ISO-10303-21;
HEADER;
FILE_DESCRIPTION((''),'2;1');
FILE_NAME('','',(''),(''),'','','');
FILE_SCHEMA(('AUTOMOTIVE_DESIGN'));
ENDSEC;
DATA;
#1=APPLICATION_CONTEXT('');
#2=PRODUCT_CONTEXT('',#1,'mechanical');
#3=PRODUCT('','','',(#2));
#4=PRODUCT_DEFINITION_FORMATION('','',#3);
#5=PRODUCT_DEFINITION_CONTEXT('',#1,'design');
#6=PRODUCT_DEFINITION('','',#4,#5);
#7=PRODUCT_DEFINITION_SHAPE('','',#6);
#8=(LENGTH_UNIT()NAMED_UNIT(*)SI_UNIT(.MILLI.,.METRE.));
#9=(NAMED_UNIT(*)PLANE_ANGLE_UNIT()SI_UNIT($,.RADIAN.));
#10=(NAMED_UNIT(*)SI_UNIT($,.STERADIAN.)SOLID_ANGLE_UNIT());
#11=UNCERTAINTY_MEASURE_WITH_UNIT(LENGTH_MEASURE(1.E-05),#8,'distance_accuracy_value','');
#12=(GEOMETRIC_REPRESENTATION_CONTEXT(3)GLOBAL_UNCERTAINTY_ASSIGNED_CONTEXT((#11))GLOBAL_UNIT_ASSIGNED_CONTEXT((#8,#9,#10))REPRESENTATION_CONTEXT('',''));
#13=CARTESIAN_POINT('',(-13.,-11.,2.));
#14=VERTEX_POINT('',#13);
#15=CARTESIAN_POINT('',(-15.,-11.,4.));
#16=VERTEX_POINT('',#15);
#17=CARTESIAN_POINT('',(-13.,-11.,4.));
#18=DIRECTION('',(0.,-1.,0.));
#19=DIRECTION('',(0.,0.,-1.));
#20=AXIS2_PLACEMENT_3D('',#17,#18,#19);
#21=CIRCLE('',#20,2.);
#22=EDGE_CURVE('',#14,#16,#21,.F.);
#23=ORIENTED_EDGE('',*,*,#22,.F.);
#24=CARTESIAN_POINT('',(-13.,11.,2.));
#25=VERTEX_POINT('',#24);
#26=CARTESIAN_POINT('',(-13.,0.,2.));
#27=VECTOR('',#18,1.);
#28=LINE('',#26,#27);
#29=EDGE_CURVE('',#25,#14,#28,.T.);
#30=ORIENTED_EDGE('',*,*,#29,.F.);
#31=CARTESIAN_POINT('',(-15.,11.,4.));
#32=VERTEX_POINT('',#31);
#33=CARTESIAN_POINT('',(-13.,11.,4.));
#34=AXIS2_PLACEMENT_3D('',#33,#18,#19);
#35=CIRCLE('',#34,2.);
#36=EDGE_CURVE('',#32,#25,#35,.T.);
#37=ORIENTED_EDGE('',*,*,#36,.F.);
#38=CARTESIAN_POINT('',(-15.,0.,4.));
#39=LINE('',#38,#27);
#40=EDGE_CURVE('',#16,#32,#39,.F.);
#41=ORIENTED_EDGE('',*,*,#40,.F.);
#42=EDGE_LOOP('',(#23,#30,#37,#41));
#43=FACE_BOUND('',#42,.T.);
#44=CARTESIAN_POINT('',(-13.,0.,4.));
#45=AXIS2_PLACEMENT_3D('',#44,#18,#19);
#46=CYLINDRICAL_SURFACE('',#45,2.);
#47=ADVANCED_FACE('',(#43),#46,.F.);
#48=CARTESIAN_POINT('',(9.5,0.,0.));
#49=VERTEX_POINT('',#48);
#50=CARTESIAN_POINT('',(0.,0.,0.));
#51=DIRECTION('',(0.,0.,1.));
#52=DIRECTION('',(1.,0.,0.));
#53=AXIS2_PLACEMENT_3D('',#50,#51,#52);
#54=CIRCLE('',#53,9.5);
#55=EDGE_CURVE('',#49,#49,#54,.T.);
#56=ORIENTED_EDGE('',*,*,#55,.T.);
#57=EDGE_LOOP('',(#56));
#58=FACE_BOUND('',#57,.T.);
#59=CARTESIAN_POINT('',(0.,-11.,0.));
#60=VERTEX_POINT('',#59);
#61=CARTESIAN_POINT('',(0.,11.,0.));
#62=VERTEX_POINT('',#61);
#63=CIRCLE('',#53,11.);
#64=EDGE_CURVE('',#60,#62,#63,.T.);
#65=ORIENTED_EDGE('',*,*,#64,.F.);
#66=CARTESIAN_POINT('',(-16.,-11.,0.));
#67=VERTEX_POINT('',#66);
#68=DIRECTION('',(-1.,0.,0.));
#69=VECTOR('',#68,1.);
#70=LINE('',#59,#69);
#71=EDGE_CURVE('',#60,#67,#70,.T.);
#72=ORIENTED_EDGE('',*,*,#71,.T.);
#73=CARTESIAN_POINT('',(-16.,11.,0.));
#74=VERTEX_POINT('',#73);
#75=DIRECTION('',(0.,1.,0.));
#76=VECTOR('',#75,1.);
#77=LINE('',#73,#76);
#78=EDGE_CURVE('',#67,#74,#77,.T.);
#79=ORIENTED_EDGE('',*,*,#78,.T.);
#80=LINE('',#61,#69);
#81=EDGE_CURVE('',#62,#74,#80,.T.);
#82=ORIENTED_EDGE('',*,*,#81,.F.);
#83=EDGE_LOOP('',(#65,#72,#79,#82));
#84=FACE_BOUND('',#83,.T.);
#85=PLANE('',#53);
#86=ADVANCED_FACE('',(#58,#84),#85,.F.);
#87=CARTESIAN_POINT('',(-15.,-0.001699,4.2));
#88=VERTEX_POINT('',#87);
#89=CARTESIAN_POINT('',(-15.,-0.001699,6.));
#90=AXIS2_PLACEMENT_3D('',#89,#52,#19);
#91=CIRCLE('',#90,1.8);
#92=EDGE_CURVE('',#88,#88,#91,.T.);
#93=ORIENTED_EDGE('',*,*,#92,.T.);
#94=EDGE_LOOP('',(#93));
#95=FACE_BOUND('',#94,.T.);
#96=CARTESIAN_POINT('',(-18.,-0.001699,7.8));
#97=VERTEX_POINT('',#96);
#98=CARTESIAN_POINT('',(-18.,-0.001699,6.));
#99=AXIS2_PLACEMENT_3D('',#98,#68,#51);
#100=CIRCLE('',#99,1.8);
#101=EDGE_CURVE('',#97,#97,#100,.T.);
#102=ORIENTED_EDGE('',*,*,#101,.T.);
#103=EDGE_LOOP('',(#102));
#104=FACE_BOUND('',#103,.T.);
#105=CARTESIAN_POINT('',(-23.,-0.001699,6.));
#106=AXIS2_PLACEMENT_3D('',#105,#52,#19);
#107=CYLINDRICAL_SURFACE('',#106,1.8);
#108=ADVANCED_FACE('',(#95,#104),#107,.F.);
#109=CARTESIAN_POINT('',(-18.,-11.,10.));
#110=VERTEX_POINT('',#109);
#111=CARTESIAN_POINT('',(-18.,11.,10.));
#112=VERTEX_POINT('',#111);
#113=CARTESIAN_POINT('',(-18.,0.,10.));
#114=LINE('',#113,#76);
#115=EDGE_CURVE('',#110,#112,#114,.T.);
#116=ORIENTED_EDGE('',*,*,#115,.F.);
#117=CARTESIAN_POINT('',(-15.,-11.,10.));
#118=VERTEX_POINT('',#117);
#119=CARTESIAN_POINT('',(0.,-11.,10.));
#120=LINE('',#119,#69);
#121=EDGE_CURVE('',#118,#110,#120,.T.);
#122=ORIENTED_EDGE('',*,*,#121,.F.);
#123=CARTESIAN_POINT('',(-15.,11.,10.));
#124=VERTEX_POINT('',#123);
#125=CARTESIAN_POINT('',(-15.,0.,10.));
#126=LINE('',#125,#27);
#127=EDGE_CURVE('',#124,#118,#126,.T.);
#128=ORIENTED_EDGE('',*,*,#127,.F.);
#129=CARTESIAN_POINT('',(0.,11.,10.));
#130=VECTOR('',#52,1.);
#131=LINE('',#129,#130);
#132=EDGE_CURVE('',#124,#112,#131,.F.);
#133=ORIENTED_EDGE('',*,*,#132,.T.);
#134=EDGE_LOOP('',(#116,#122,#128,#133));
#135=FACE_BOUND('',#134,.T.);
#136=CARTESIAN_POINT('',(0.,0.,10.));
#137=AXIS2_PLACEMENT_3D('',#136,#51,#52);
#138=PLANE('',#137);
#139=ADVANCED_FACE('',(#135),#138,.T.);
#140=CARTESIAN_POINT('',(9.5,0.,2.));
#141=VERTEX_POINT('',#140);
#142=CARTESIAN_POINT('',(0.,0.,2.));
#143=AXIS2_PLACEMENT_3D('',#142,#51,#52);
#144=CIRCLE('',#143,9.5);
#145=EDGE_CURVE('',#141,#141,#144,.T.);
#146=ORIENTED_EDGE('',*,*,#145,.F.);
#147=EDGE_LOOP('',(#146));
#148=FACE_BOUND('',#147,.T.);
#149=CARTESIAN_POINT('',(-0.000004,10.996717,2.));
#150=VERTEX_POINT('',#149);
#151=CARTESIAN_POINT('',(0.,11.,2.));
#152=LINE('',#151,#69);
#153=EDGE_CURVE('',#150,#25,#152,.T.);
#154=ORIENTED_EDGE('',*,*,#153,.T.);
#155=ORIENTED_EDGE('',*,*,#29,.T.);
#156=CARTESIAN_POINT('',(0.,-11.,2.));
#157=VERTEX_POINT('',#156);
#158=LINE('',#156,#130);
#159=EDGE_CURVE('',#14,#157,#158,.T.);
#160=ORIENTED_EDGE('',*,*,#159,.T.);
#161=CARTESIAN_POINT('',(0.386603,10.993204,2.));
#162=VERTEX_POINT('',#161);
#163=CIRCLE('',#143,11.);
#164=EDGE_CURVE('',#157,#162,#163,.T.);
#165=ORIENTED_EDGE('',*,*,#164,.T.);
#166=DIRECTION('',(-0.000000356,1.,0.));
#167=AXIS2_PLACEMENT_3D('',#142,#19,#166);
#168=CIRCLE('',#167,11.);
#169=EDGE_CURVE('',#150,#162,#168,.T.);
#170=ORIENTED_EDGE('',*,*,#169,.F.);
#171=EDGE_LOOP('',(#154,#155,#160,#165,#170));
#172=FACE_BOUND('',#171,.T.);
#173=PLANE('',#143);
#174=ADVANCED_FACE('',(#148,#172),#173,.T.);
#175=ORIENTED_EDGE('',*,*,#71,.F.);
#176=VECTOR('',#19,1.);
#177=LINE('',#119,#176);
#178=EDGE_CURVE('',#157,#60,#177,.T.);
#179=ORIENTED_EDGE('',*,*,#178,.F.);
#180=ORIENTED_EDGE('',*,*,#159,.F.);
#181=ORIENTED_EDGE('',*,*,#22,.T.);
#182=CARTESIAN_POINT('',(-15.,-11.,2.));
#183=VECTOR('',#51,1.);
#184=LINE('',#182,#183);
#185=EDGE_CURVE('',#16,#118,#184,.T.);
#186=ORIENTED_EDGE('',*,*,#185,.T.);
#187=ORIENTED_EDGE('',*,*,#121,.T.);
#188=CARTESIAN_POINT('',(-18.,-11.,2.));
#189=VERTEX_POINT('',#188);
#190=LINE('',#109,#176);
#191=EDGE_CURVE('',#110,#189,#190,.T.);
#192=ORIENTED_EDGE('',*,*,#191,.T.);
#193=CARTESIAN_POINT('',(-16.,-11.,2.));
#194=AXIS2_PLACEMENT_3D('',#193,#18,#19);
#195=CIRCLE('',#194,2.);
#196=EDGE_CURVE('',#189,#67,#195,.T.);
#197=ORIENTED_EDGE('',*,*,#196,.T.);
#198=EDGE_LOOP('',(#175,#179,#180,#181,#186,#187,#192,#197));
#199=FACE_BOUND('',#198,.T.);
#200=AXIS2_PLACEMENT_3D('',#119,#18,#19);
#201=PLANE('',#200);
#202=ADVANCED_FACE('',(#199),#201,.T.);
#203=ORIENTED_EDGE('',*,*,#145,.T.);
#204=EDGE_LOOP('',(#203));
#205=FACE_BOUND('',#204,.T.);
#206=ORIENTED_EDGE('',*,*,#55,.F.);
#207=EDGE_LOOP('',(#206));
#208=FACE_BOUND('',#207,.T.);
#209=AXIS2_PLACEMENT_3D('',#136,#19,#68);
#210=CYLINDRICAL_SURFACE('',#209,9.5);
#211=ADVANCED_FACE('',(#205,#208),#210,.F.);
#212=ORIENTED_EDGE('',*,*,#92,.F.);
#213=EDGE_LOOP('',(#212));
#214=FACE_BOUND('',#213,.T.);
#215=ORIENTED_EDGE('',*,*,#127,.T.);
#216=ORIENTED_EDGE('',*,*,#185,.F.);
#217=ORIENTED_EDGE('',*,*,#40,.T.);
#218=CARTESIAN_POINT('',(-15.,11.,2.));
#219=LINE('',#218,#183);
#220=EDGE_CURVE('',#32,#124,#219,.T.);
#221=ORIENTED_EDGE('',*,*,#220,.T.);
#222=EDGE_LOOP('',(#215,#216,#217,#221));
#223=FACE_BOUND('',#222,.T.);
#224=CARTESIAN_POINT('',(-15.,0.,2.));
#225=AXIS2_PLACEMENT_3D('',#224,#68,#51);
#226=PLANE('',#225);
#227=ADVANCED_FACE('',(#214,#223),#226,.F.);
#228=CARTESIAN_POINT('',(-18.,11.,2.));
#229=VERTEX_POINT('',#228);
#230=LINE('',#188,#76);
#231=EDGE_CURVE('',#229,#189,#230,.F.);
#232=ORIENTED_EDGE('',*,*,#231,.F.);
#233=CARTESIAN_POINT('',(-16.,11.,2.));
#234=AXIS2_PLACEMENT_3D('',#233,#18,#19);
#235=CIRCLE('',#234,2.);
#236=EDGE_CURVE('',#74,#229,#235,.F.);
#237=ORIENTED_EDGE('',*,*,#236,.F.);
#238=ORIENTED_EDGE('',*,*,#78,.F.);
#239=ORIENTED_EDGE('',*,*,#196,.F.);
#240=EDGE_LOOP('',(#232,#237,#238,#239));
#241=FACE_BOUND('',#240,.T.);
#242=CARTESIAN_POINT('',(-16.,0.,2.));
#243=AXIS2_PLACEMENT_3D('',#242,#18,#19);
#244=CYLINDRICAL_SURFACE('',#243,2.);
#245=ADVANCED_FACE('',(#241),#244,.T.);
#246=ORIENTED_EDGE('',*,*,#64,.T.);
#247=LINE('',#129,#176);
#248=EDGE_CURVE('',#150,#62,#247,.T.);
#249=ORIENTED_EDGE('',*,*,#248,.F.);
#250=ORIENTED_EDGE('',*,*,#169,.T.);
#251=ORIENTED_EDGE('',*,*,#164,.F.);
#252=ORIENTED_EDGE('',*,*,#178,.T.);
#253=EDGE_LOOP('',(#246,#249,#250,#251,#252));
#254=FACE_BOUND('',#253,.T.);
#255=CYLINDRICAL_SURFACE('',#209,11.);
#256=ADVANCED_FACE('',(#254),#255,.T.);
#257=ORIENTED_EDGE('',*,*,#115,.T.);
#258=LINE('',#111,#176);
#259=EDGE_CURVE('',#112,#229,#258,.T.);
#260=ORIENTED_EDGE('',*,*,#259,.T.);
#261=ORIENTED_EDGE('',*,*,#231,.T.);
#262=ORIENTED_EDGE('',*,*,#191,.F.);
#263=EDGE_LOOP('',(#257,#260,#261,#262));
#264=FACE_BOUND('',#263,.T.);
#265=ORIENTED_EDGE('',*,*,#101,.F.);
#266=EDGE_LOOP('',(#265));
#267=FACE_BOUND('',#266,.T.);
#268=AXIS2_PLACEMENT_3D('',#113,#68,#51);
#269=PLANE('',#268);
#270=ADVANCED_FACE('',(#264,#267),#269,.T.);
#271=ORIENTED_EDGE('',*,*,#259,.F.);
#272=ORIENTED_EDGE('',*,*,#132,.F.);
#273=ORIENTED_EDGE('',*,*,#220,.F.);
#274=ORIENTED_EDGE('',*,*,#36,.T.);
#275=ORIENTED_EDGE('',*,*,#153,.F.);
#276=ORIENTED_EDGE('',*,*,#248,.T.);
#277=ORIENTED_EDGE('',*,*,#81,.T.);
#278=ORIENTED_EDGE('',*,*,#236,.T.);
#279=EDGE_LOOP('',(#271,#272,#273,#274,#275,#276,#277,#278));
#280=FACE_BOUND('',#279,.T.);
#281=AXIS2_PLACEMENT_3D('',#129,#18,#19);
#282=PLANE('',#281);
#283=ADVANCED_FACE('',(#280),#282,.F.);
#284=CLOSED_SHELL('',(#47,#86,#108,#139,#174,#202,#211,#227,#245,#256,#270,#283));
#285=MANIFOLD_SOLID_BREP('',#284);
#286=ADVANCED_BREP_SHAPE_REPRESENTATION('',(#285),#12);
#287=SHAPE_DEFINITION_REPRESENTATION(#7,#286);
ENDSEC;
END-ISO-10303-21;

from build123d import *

# Parameters (mm, degrees)
F_10_MM_EXTRUDE_DEPTH  = 10
F_8_START              = -8
SKETCH2_R              = 9.5
F_8_MM_CUT_DEPTH       = 8
SKETCH4_R              = 1.8
CUT_EXTRUDE_3_6D_DEPTH = 8
R2_FILET_R             = 2


with BuildPart() as part:
    # Sketch1 → 10 mm extrude (new body)
    with BuildSketch(Plane(origin=(0, 0, 0), x_dir=(0, 1, 0), z_dir=(0, 0, 1))):
        with BuildLine():
            Line((-11, 18), (-11, 0))
            ThreePointArc((-11, 0), (-7.778174593, 7.778174593), (0, 11))
            Line((0, 11), (0, 18))
            Line((0, 18), (-11, 18))
        make_face()
        with BuildLine():
            Line((0, 18), (0, 11))
            ThreePointArc((0, 11), (7.778174593, 7.778174593), (11, 0))
            Line((11, 0), (11, 18))
            Line((11, 18), (0, 18))
        make_face()
        with BuildLine():
            ThreePointArc((0, 11), (-7.778174593, 7.778174593), (-11, 0))
            Line((-11, 0), (-9.5, 0))
            ThreePointArc((-9.5, 0), (-6.717514421, 6.717514421), (0, 9.5))
            Line((0, 9.5), (0, 11))
        make_face()
        with BuildLine():
            Line((-9.5, 0), (-11, 0))
            ThreePointArc((-11, 0), (-7.778174593, -7.778174593), (0, -11))
            Line((0, -11), (0, -9.5))
            ThreePointArc((0, -9.5), (-6.717514421, -6.717514421), (-9.5, 0))
        make_face()
        with BuildLine():
            ThreePointArc((11, 0), (7.778174593, 7.778174593), (0, 11))
            Line((0, 11), (0, 9.5))
            ThreePointArc((0, 9.5), (6.717514421, 6.717514421), (9.5, 0))
            Line((9.5, 0), (11, 0))
        make_face()
        with BuildLine():
            Line((0, -9.5), (0, -11))
            ThreePointArc((0, -11), (7.778174593, -7.778174593), (11, 0))
            Line((11, 0), (9.5, 0))
            ThreePointArc((9.5, 0), (6.717514421, -6.717514421), (0, -9.5))
        make_face()
    extrude(amount=F_10_MM_EXTRUDE_DEPTH)

    # Sketch2 → 8 mm cut (cut)
    with BuildSketch(Plane(origin=(0, 0, 10), x_dir=(0, -1, 0), z_dir=(0, 0, 1)).offset(F_8_START)):
        with BuildLine():
            Line((11, -15), (11, 0))
            ThreePointArc((11, 0), (0, 11), (-11, 0))
            Line((-11, 0), (-11, -15))
            Line((-11, -15), (11, -15))
        make_face()
        with Locations(Location((0, 0, 0), (0, 0, 90))):
            Circle(SKETCH2_R, mode=Mode.SUBTRACT)
    extrude(amount=F_8_MM_CUT_DEPTH, mode=Mode.SUBTRACT)

    # Sketch4 → Cut-Extrude 3.6D (cut)
    with BuildSketch(Plane.YZ.offset(-15)):
        with Locations(Location((-0.001698954, 6, 0), (0, 0, 270))):
            Circle(SKETCH4_R)
    extrude(amount=-CUT_EXTRUDE_3_6D_DEPTH, mode=Mode.SUBTRACT)

    # R2 Filet
    r2_filet_edges = [part.edges().sort_by_distance(p)[0] for p in [
        (-15, 0, 2),
        (-18, 0, 0),
    ]]
    fillet(r2_filet_edges, radius=R2_FILET_R)


solid = part.part
